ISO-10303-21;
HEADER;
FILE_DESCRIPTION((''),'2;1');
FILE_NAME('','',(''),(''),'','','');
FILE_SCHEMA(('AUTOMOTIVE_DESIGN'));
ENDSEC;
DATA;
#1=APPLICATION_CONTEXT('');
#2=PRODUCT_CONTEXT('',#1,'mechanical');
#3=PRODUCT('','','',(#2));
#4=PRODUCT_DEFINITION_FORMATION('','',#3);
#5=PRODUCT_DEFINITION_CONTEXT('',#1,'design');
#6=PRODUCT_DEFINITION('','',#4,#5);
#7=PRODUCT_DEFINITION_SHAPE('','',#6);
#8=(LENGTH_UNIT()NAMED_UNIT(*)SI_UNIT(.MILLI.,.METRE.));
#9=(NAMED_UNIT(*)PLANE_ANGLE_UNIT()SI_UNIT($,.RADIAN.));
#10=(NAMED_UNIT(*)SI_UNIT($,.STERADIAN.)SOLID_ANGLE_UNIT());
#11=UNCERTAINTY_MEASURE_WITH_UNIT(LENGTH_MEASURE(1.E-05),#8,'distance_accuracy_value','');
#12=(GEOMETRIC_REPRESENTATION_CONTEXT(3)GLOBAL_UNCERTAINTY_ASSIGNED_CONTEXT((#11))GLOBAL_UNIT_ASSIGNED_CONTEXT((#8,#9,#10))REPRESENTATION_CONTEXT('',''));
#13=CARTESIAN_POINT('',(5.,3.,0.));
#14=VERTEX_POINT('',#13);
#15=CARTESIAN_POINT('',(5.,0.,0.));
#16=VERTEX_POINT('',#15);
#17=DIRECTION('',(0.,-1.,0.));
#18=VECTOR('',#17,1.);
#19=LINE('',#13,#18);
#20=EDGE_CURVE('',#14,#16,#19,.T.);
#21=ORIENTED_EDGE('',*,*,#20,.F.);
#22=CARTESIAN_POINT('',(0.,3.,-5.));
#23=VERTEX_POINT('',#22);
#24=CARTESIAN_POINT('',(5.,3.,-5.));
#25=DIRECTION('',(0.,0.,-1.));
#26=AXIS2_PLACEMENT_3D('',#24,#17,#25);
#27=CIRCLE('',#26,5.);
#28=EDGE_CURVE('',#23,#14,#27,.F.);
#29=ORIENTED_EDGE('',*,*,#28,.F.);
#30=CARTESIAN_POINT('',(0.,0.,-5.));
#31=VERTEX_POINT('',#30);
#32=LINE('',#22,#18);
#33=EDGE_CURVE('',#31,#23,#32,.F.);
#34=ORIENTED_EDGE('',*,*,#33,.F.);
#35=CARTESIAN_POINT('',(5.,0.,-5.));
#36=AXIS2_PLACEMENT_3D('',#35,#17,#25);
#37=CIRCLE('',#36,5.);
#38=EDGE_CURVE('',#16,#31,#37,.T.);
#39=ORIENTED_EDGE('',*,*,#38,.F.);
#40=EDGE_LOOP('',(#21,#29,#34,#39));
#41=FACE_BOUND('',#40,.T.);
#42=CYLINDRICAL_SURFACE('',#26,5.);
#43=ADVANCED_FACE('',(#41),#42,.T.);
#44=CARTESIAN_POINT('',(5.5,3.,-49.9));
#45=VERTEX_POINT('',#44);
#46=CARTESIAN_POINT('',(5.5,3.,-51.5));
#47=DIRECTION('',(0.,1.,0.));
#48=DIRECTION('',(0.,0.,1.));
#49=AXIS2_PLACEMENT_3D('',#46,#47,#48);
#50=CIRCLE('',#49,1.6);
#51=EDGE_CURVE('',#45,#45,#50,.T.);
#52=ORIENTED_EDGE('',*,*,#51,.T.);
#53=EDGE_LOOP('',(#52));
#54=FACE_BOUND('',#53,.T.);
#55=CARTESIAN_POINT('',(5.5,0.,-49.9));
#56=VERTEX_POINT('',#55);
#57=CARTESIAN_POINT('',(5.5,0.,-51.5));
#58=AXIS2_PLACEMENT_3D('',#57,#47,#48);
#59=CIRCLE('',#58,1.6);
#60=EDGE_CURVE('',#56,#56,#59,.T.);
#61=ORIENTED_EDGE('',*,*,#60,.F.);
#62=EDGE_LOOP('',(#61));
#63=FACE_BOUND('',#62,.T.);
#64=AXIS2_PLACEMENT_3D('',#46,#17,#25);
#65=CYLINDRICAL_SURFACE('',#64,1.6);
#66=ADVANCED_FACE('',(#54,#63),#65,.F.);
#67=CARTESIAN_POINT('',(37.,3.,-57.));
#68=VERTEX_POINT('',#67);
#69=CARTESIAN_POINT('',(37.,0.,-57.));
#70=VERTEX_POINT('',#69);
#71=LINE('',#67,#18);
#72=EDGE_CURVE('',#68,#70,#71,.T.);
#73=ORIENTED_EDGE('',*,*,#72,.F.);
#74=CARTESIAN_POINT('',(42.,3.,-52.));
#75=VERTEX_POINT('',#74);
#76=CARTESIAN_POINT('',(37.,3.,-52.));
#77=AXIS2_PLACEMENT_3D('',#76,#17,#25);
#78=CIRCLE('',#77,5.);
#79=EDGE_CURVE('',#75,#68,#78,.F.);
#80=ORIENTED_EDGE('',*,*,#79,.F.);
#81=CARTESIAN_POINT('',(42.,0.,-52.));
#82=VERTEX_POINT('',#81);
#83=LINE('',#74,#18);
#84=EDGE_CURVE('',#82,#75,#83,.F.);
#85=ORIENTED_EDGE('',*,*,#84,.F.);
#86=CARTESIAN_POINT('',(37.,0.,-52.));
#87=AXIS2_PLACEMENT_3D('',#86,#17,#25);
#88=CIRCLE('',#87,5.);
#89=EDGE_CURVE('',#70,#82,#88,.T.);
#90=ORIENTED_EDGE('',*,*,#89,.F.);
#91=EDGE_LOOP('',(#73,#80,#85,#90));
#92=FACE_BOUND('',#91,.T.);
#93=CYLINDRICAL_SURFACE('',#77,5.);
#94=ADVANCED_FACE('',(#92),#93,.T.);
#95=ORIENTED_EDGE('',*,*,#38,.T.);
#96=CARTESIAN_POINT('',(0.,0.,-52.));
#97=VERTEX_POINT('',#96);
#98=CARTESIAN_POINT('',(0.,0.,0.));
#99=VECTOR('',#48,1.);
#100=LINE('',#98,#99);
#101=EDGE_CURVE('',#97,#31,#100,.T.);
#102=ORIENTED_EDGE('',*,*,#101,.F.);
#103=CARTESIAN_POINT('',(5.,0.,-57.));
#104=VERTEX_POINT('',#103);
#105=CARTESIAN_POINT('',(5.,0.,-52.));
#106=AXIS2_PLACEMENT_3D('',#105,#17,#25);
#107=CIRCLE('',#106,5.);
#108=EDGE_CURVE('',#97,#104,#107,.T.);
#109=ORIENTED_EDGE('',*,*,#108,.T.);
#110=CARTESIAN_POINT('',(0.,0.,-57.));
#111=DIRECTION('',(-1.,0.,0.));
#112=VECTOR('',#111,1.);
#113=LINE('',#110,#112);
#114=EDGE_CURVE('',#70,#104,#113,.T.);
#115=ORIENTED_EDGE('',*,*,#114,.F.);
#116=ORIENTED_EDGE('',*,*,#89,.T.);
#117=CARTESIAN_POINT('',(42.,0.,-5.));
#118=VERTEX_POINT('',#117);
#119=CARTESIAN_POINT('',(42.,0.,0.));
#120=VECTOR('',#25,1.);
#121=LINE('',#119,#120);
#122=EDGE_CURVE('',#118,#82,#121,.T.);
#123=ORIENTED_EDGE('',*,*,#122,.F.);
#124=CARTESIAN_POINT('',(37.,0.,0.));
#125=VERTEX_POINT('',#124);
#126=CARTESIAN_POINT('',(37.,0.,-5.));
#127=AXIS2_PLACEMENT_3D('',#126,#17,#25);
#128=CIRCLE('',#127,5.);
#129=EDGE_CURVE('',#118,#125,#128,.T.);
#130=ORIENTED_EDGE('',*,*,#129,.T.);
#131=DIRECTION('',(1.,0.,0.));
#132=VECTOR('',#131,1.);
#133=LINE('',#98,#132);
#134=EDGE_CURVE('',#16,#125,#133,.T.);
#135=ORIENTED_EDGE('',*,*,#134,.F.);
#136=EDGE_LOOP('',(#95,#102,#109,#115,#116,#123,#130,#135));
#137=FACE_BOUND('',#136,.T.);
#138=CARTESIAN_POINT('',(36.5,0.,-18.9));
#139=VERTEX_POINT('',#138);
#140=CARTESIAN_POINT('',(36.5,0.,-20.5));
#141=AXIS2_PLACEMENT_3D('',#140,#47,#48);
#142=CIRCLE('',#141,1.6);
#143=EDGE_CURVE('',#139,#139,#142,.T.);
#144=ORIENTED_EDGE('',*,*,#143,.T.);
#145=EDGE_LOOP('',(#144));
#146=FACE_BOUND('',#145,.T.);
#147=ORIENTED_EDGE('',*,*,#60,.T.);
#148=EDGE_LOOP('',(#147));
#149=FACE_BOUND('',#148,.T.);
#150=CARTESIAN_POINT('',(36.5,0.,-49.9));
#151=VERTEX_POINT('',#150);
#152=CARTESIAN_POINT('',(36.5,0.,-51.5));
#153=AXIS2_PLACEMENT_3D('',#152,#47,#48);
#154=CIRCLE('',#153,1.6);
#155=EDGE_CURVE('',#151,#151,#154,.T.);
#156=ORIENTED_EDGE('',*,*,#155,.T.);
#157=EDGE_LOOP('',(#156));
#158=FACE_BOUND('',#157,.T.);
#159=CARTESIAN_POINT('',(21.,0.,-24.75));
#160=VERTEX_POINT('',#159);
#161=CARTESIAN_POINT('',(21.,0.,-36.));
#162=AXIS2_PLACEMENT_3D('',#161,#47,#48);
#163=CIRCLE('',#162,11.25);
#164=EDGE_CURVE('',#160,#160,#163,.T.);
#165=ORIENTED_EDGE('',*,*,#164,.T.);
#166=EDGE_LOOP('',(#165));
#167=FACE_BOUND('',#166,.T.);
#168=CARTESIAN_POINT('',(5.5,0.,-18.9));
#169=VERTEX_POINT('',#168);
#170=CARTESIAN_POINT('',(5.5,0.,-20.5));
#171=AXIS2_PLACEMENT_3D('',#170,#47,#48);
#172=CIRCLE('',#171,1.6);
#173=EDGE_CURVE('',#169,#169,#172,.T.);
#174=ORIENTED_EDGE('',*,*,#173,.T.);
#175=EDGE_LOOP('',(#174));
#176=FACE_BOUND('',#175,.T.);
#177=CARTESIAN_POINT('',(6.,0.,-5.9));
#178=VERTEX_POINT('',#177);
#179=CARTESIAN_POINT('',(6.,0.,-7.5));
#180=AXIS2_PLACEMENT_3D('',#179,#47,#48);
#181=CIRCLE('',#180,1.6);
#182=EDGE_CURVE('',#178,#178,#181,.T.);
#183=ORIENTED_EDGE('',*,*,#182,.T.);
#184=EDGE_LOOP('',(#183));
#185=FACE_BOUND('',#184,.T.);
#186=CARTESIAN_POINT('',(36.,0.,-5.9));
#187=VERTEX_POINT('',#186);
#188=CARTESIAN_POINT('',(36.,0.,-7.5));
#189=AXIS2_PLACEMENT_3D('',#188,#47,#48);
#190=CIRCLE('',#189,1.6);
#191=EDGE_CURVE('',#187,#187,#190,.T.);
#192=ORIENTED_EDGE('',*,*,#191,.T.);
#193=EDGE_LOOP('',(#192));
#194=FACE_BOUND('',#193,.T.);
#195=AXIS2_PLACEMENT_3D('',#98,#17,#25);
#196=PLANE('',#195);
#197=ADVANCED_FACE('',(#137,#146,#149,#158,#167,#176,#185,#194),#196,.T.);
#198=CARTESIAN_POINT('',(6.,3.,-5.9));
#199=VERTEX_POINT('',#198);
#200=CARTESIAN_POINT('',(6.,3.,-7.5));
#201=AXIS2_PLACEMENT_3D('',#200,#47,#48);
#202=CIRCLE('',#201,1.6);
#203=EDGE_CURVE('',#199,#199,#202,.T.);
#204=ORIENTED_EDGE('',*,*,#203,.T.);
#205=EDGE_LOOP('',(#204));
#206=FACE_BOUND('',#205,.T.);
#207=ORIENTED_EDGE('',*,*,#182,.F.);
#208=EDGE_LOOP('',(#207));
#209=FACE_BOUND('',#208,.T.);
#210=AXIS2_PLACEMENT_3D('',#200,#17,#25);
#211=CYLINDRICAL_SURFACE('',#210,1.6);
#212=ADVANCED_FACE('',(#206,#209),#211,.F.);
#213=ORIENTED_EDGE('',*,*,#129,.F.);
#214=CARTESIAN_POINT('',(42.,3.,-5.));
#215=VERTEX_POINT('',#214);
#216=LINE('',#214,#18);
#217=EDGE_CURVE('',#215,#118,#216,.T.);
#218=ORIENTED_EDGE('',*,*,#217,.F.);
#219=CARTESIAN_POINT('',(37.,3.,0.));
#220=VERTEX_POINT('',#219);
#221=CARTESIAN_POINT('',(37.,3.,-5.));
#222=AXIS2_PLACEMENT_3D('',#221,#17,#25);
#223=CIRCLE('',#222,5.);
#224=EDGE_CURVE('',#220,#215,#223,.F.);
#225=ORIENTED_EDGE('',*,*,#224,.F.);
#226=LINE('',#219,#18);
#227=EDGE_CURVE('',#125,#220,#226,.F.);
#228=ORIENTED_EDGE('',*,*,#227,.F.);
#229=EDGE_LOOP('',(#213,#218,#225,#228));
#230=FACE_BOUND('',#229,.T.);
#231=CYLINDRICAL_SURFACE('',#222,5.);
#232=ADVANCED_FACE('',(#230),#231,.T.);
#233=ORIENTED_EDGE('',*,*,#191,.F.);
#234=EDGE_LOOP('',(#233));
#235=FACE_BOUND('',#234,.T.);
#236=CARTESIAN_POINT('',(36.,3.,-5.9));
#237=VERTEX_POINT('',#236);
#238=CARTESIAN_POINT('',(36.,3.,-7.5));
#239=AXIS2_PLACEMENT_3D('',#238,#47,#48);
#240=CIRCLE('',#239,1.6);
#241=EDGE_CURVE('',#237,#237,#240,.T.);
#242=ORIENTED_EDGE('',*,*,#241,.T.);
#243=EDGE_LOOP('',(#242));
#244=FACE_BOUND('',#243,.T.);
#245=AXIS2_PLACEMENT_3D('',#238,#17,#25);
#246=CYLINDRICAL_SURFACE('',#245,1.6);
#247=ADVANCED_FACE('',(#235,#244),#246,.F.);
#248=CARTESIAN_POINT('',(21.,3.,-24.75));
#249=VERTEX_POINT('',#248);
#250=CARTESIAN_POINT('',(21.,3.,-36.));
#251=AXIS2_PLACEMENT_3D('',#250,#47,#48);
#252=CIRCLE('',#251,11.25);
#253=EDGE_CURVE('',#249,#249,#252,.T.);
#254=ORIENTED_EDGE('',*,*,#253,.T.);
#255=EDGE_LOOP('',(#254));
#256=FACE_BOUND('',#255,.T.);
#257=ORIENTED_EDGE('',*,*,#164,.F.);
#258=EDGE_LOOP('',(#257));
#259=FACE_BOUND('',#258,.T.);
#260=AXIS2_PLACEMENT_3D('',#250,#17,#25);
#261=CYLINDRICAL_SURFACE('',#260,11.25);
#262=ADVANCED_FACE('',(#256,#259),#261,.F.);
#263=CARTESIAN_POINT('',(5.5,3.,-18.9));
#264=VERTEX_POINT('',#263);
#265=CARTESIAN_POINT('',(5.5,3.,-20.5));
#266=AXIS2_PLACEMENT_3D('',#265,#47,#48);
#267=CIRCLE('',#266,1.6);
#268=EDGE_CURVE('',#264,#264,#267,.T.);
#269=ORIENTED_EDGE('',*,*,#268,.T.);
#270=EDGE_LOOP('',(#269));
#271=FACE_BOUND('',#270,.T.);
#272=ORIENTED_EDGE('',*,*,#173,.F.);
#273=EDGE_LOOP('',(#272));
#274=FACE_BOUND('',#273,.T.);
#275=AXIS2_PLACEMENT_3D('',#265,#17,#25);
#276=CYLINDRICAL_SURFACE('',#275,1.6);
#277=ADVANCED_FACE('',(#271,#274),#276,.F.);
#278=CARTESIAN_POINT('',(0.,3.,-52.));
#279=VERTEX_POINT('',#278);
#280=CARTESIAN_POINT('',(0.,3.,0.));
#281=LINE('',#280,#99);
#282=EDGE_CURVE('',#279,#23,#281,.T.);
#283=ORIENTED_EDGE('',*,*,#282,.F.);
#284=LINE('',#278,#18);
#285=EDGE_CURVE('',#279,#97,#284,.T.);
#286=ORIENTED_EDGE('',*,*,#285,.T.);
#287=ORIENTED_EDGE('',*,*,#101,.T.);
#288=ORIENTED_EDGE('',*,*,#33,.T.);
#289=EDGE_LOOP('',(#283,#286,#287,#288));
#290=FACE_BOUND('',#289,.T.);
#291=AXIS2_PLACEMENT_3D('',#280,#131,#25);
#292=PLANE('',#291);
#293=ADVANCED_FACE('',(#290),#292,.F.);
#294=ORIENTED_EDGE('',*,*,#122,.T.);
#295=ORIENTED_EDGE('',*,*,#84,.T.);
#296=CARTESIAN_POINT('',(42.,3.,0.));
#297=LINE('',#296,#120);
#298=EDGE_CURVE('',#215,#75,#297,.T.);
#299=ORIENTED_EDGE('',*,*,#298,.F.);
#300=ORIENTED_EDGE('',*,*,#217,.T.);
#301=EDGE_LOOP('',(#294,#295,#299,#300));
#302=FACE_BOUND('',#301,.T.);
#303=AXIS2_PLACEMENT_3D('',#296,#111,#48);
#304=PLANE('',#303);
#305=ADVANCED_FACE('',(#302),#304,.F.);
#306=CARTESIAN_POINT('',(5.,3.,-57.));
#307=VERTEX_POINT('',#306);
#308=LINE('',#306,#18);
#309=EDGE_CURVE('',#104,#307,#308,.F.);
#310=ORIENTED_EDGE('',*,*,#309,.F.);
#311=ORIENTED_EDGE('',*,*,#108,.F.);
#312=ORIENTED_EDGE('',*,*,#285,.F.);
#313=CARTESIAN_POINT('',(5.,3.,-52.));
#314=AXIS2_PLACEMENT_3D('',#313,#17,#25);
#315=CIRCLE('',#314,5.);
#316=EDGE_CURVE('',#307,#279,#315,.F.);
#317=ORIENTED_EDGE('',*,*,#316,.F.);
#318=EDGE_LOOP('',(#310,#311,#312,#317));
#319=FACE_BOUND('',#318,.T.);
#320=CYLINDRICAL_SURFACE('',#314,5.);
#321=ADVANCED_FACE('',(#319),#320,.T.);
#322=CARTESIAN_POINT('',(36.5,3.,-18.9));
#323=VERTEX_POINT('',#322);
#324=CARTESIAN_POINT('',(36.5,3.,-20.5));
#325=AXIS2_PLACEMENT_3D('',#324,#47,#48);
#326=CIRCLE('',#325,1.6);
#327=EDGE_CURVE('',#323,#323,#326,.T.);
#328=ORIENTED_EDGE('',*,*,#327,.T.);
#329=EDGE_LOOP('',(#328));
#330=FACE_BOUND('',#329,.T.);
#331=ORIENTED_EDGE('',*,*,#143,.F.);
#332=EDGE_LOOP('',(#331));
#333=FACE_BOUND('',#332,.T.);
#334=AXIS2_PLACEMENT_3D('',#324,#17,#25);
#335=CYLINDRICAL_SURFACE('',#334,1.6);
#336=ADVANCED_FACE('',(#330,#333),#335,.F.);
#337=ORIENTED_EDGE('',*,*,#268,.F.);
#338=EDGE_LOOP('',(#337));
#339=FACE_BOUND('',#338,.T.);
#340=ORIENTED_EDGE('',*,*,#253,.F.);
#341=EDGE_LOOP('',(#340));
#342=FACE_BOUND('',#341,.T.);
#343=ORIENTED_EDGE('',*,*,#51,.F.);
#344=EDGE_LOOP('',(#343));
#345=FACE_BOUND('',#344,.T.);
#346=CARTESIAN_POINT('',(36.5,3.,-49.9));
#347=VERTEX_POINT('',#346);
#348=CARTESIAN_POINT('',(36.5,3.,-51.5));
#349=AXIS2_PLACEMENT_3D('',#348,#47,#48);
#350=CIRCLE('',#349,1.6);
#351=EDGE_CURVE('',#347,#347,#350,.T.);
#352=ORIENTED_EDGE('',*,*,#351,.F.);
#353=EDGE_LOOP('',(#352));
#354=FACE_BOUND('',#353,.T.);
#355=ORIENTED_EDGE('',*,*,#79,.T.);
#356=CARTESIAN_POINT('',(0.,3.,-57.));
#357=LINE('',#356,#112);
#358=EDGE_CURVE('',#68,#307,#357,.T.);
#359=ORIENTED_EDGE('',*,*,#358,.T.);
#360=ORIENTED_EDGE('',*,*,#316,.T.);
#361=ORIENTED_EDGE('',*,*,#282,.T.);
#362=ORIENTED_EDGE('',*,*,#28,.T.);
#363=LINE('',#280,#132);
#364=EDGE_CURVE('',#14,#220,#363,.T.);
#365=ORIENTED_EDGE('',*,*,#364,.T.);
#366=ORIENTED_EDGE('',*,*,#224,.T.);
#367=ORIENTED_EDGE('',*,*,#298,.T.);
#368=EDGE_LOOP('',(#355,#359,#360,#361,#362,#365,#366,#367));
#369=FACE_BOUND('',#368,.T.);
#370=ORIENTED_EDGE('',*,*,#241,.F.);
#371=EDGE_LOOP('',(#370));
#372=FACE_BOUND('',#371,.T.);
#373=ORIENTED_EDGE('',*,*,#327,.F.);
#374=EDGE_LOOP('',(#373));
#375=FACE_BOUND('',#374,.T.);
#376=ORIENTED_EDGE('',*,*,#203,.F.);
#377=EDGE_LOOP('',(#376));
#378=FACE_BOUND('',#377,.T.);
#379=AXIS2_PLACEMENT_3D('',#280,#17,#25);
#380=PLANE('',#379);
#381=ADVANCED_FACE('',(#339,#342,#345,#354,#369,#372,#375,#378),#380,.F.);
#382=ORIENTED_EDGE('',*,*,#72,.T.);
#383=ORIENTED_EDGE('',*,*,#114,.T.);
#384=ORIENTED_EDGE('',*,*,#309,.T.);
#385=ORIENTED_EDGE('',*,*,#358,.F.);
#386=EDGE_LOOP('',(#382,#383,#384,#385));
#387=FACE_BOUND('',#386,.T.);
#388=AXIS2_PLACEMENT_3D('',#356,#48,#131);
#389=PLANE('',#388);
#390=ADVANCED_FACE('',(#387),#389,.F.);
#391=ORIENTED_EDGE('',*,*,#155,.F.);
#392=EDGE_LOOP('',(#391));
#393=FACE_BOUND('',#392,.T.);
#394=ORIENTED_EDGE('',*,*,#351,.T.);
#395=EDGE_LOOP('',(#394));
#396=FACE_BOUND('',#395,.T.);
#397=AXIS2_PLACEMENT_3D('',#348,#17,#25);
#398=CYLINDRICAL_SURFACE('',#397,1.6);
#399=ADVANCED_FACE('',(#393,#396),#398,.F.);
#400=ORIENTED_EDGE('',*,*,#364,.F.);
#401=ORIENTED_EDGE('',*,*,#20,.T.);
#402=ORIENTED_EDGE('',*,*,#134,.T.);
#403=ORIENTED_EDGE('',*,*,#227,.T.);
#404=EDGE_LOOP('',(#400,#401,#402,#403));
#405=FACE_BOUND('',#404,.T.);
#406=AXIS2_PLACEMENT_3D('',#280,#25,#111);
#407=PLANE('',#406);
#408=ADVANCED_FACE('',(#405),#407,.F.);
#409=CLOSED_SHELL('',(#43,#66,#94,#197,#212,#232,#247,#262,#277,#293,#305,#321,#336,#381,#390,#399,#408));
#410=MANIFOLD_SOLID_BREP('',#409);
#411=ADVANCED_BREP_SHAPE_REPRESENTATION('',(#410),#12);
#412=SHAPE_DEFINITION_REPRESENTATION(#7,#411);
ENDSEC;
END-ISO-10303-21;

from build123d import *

# Parameters (mm, degrees)
SKETCH1_W           = 42
SKETCH1_H           = 57
SKETCH1_R           = 1.6
SKETCH1_R_2         = 11.25
BOSS_EXTRUDE1_DEPTH = 3
FILLET1_R           = 5


with BuildPart() as part:
    # Sketch1 → Boss-Extrude1 (new body)
    with BuildSketch(Plane(origin=(0, 0, 0), x_dir=(1, 0, 0), z_dir=(0, 1, 0))):
        with Locations((21, 28.5)):
            Rectangle(SKETCH1_W, SKETCH1_H)
        with Locations((36.5, 51.5)):
            Circle(SKETCH1_R, mode=Mode.SUBTRACT)
        with Locations((5.5, 51.5)):
            Circle(SKETCH1_R, mode=Mode.SUBTRACT)
        with Locations((5.5, 20.5)):
            Circle(SKETCH1_R, mode=Mode.SUBTRACT)
        with Locations((36.5, 20.5)):
            Circle(SKETCH1_R, mode=Mode.SUBTRACT)
        with Locations((6, 7.5)):
            Circle(SKETCH1_R, mode=Mode.SUBTRACT)
        with Locations((36, 7.5)):
            Circle(SKETCH1_R, mode=Mode.SUBTRACT)
        with Locations((21, 36)):
            Circle(SKETCH1_R_2, mode=Mode.SUBTRACT)
    extrude(amount=BOSS_EXTRUDE1_DEPTH)

    # Fillet1
    fillet1_edges = [part.edges().sort_by_distance(p)[0] for p in [
        (0, 1.5, -57),
        (42, 1.5, -57),
        (42, 1.5, 0),
        (0, 1.5, 0),
    ]]
    fillet(fillet1_edges, radius=FILLET1_R)


solid = part.part
